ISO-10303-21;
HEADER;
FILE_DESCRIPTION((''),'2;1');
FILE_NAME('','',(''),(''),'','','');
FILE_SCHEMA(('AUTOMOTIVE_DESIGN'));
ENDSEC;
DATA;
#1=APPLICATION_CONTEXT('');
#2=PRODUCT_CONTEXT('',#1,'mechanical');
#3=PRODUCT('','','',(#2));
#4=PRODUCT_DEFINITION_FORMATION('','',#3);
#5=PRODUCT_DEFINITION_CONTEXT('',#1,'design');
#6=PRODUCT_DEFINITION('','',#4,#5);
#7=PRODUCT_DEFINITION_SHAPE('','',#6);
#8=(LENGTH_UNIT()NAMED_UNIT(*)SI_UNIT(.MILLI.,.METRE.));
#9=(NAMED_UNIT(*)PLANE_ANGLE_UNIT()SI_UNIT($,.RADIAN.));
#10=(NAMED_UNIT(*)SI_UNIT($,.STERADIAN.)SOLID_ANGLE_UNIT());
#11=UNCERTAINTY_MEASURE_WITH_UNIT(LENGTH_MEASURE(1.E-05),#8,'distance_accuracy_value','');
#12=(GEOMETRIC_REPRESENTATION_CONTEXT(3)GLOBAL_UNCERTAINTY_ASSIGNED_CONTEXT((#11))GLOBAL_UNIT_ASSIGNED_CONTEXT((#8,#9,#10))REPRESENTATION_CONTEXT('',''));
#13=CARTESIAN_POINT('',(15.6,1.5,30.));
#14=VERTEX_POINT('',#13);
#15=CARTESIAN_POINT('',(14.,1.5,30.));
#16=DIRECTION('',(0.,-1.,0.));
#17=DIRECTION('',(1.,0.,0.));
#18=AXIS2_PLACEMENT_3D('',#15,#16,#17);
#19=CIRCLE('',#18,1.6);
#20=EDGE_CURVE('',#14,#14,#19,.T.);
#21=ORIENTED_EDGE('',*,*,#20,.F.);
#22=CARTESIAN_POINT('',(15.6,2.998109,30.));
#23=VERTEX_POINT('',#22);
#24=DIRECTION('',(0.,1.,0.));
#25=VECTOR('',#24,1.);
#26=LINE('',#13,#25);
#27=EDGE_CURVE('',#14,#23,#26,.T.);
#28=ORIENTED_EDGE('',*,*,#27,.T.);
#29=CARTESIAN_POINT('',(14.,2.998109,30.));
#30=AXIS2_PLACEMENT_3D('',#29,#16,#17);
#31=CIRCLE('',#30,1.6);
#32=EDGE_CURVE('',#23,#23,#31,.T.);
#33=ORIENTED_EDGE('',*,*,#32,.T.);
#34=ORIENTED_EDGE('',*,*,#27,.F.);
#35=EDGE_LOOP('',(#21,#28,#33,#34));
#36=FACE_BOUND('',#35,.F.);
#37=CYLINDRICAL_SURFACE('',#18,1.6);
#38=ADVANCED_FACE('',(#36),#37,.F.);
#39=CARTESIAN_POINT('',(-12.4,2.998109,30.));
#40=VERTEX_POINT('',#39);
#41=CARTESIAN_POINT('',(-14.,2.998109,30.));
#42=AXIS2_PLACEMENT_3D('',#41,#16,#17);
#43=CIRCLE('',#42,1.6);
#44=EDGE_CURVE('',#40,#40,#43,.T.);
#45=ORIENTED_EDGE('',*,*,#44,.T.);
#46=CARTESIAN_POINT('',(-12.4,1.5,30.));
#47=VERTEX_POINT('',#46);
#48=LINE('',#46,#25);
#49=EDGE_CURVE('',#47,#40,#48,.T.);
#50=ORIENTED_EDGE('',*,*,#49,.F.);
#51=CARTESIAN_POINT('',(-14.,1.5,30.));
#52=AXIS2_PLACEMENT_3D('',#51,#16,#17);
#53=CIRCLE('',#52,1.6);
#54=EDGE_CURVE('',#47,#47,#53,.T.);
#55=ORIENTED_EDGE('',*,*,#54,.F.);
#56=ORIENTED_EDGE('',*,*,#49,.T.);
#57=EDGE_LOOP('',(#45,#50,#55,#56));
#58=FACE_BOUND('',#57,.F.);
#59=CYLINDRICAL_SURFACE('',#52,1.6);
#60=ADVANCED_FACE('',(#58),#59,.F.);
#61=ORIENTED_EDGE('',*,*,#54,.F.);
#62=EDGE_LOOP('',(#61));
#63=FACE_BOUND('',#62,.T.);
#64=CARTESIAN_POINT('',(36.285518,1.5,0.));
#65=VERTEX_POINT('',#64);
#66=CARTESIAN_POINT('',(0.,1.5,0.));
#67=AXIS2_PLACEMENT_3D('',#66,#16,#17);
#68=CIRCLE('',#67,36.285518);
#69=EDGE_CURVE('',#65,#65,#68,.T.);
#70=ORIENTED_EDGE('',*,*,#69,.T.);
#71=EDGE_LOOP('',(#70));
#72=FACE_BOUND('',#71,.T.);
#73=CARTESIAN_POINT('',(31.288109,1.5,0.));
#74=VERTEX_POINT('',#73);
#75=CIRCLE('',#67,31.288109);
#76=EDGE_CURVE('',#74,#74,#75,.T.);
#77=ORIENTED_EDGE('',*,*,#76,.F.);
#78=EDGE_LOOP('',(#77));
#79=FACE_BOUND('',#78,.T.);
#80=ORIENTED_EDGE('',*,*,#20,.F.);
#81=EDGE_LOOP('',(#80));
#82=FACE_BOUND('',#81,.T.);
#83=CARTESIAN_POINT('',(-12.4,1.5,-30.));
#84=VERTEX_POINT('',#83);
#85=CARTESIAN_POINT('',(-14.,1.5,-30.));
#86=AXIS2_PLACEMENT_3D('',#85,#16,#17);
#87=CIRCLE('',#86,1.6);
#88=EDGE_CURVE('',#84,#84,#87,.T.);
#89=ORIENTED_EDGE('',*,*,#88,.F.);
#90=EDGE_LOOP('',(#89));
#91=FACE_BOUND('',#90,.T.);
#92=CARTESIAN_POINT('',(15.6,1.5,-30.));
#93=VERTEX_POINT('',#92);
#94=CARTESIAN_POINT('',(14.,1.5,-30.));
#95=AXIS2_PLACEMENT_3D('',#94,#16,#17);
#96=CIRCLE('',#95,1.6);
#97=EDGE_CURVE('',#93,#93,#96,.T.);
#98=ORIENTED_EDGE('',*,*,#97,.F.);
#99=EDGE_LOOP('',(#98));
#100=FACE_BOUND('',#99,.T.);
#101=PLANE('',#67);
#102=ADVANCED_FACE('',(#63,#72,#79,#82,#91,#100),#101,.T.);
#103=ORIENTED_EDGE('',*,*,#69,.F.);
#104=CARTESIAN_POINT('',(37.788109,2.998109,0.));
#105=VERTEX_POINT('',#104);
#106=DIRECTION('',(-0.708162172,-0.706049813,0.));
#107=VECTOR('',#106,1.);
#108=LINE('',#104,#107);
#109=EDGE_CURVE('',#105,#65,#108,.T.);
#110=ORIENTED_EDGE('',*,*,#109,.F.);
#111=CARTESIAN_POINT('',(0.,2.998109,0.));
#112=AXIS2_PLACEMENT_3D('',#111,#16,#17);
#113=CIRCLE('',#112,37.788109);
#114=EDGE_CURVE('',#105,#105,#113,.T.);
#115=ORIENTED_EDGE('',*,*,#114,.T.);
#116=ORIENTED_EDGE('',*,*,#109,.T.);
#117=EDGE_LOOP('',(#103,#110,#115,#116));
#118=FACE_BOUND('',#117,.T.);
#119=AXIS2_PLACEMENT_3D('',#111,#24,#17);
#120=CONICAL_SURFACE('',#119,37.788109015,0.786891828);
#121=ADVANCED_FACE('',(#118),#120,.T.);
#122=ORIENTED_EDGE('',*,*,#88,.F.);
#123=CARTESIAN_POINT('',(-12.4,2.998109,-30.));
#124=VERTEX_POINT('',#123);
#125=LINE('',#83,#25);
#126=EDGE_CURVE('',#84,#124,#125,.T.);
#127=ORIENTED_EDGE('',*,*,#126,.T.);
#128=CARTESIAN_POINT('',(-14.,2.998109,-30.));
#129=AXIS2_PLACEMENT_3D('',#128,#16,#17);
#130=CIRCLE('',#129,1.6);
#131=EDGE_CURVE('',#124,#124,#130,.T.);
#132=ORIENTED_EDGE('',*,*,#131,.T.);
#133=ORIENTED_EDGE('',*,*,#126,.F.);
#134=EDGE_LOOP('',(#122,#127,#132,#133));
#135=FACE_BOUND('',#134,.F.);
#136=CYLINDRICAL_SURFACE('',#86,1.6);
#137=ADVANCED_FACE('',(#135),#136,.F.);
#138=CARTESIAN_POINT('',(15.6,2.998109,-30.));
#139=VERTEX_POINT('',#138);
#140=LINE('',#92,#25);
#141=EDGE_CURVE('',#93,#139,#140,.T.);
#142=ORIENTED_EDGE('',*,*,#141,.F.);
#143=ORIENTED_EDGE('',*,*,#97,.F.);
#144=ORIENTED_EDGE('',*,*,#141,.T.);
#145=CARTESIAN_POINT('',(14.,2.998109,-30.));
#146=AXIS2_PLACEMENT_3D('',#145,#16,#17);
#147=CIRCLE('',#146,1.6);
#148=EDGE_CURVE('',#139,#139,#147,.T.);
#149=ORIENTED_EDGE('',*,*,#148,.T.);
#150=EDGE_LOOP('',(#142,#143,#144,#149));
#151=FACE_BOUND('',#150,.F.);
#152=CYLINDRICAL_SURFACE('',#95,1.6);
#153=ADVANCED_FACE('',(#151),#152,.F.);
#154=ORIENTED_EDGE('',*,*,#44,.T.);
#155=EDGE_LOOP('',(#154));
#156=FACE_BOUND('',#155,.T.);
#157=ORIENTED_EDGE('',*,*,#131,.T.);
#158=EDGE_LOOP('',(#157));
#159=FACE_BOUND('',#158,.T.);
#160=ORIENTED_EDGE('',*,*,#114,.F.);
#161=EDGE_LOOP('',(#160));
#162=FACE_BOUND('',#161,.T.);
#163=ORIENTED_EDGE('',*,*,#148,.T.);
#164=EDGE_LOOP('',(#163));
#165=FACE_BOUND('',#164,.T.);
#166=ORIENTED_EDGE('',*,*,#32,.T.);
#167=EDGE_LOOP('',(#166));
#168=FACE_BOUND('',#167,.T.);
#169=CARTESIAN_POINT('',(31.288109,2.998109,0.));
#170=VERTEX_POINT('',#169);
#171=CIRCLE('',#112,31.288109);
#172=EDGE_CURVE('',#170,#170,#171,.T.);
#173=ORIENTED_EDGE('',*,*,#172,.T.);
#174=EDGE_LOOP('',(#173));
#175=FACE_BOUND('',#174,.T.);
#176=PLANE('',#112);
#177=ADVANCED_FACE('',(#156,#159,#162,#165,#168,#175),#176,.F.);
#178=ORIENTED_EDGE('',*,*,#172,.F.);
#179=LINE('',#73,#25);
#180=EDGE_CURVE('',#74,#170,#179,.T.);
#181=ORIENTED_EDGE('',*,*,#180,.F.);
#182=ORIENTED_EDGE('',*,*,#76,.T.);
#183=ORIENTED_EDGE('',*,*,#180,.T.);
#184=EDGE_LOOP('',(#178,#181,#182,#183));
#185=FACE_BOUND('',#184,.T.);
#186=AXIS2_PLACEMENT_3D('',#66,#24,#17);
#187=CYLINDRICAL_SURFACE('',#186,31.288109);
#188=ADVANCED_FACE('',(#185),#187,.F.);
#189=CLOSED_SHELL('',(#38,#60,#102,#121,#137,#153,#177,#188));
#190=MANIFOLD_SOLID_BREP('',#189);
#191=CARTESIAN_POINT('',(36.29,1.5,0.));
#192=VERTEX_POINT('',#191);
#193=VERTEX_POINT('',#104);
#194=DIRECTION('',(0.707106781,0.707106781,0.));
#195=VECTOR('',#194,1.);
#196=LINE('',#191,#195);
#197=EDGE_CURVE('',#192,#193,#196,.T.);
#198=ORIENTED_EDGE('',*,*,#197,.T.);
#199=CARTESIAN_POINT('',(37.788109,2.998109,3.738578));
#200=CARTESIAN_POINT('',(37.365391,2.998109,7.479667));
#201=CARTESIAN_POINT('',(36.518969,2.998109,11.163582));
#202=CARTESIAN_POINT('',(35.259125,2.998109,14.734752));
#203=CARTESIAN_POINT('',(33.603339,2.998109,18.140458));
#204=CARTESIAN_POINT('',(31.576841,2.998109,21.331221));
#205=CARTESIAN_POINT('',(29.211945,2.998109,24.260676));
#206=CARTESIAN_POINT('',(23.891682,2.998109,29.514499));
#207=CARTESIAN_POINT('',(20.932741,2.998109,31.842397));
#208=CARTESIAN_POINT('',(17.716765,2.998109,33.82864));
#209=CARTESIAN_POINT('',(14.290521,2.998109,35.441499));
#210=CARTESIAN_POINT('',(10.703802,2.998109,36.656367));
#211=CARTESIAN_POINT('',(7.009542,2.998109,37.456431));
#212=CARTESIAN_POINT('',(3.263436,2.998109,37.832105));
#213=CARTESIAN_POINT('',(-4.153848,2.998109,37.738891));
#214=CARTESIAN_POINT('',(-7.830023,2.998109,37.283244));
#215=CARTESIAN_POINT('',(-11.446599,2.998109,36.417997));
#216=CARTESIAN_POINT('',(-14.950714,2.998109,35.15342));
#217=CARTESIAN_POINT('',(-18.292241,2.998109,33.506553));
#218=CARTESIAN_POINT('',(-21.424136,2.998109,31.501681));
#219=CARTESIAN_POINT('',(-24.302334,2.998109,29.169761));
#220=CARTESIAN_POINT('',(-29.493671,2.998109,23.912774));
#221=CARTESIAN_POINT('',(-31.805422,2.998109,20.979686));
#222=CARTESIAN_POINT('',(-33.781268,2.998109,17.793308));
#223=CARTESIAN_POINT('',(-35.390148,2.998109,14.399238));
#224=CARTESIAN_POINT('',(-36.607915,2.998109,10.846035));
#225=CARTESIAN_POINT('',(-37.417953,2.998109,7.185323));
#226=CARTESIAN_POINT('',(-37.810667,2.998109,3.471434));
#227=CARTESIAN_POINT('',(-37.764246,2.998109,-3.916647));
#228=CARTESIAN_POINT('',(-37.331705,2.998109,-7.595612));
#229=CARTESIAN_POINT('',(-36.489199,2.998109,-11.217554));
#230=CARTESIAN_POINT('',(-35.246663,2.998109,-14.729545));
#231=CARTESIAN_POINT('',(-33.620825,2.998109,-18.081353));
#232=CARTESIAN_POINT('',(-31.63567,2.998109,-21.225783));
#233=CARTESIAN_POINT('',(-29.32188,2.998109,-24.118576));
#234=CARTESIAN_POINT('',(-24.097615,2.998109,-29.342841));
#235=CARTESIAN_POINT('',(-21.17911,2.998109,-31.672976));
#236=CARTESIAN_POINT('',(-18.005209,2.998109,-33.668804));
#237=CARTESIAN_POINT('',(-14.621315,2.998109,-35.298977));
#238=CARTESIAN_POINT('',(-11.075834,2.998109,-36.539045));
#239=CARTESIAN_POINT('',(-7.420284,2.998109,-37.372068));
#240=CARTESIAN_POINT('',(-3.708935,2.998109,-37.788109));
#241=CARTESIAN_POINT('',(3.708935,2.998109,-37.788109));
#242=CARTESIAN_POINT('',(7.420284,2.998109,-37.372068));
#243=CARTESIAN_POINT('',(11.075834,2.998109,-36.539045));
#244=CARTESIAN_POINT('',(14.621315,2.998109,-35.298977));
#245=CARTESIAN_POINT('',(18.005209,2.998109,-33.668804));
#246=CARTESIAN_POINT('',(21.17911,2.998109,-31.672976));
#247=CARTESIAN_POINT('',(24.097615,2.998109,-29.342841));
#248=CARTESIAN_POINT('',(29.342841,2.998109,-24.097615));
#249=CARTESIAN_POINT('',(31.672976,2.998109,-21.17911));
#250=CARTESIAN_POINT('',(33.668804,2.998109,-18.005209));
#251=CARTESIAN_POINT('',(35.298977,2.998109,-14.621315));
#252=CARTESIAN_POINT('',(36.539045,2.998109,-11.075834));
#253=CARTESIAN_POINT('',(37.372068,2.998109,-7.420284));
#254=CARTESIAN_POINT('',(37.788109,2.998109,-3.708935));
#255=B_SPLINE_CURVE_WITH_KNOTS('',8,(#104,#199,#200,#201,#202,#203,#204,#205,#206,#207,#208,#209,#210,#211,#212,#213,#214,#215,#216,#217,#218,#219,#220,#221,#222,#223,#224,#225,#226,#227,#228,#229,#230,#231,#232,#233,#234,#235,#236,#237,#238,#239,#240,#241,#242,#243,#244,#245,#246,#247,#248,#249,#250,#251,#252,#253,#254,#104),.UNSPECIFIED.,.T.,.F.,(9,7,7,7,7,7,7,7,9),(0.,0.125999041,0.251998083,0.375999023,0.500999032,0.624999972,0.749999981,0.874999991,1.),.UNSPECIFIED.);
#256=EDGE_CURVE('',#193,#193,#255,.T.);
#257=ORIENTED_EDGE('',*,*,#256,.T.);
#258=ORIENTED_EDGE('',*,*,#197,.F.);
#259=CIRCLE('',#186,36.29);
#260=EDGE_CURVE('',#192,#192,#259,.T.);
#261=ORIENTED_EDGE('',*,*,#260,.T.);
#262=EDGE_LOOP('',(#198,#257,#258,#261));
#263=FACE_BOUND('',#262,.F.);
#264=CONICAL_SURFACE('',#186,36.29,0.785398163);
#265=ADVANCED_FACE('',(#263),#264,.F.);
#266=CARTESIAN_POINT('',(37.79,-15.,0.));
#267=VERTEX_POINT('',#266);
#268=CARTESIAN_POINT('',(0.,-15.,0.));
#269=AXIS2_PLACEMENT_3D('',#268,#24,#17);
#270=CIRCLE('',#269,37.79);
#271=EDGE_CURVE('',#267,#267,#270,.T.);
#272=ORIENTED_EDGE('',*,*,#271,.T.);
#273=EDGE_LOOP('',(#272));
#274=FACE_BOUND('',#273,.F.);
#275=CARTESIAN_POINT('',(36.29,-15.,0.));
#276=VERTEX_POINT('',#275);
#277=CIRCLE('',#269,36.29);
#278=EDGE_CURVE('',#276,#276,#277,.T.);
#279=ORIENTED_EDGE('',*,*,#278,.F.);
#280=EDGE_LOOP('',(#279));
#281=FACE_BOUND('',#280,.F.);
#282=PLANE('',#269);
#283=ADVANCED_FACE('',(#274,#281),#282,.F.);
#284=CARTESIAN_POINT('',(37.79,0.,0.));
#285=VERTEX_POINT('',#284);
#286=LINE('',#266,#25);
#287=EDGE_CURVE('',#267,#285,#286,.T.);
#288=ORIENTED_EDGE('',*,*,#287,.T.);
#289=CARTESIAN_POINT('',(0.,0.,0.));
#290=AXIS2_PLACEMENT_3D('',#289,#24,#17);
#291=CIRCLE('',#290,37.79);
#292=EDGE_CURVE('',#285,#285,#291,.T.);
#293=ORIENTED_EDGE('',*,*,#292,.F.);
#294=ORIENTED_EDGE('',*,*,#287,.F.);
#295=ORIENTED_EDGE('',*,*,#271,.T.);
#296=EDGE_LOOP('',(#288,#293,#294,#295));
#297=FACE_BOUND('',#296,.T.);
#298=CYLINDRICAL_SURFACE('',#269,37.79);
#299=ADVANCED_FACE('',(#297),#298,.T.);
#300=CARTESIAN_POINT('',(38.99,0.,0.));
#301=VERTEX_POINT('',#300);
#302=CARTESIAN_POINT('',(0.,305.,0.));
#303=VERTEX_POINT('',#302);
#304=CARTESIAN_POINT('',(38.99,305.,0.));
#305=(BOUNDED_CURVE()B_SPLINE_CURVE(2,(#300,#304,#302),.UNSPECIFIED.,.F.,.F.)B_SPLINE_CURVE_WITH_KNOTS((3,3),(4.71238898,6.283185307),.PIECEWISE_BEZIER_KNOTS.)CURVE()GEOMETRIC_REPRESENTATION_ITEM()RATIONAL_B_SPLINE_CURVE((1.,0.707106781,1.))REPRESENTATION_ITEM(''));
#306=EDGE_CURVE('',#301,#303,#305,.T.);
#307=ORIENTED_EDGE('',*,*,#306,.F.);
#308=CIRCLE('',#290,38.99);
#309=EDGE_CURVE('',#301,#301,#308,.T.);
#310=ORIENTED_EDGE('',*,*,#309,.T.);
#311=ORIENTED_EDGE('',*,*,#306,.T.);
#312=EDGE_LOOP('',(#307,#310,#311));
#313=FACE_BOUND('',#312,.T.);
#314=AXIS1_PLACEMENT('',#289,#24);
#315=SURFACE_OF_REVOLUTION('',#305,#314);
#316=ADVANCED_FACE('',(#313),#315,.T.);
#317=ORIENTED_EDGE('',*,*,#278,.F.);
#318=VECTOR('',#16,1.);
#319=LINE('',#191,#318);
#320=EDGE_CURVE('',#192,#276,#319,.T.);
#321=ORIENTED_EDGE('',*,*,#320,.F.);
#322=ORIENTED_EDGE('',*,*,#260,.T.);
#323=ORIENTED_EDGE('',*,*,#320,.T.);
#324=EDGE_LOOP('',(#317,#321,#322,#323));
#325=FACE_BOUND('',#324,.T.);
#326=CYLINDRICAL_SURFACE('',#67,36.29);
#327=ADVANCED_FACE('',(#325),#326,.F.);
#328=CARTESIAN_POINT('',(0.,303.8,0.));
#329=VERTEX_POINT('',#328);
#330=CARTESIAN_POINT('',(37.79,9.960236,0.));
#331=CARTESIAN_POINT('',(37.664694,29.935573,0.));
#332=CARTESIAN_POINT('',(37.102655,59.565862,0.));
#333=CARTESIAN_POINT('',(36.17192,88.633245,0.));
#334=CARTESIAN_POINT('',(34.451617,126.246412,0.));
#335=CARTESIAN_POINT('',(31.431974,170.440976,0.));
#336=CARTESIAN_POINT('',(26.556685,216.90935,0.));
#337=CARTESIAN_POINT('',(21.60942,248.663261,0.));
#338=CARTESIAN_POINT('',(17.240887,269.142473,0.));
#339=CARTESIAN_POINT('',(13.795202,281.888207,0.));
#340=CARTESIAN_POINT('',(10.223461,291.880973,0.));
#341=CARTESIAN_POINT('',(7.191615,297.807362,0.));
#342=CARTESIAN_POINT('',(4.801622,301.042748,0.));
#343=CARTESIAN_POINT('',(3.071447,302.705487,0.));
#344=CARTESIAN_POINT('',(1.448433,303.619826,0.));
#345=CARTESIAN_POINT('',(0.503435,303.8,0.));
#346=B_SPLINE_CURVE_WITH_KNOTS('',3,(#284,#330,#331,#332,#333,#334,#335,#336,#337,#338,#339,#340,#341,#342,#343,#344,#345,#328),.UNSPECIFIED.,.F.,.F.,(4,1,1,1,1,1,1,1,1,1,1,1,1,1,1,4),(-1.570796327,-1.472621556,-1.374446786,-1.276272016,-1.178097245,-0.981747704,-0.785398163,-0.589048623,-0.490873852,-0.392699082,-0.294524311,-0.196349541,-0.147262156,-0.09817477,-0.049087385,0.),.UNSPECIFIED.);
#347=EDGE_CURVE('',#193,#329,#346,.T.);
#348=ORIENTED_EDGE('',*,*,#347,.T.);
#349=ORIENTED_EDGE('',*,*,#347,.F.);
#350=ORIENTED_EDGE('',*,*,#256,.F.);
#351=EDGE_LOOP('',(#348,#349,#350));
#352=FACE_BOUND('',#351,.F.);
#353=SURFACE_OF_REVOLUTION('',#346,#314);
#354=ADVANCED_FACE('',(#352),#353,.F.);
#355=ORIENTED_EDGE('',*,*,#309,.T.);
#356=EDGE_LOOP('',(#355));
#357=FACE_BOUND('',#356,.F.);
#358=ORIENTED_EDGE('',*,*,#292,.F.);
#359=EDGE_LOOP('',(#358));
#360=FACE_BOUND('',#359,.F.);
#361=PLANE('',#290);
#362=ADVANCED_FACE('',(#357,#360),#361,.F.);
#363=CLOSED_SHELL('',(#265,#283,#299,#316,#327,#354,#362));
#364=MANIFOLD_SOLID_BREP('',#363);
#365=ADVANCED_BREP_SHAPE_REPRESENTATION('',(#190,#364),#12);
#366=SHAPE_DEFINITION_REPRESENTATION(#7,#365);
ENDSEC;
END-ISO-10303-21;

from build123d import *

# Parameters (mm, degrees)
CROQUIS4_R            = 1.6
CORTAR_EXTRUIR1_DEPTH = 10


with BuildPart() as part:
    # Croquis1 → Revolución1 (revolve)
    with BuildSketch(Plane.XY):
        with BuildLine():
            add(Edge.make_bspline(
                [(37.79, 0), (37.79, 9.960236444), (37.664694442, 29.935572546), (37.102655042, 59.565861984), (36.171920492, 88.633245112), (34.451616706, 126.246412144), (31.431973521, 170.440975848), (26.556684844, 216.90935024), (21.609420408, 248.663260812), (17.240887319, 269.142472583), (13.795202072, 281.88820718), (10.223461032, 291.880973096), (7.191615394, 297.807361864), (4.801622063, 301.042747952), (3.071446776, 302.705487017), (1.448432646, 303.619825673), (0.50343541, 303.8), (0, 303.8)],
                knots=[-1.570796327, -1.570796327, -1.570796327, -1.570796327, -1.472621556, -1.374446786, -1.276272016, -1.178097245, -0.981747704, -0.785398163, -0.589048623, -0.490873852, -0.392699082, -0.294524311, -0.196349541, -0.147262156, -0.09817477, -0.049087385, 0, 0, 0, 0], degree=3))
            Line((0, 303.8), (0, 305))
            add(Edge.make_bspline(
                [(38.99, 0), (38.99, 305), (0, 305)],
                knots=[4.71238898, 4.71238898, 4.71238898, 6.283185307, 6.283185307, 6.283185307], degree=2, weights=[1, 0.707106781, 1]))
            Line((38.99, 0), (37.79, 0))
        make_face()
    revolve(axis=Axis((0, 0, 0), (0, 1, 0)))

    # Sketch1 → Revolve1 (revolve)
    with BuildSketch(Plane.XY):
        Polygon((37.79, 0), (37.79, -15), (36.29, -15), (36.29, 0), (36.29, 1.5), (37.79, 3), (37.79, 1.5), align=None)
    revolve(axis=Axis((0, 0, 0), (0, 1, 0)))


with BuildPart() as body_2:
    # Croquis3 → Revolución2 (revolve)
    with BuildSketch(Plane.XY):
        Polygon((36.285517958, 1.5), (31.288109015, 1.5), (31.288109015, 2.998109015), (37.788109015, 2.998109015), align=None)
    revolve(axis=Axis((0, 0, 0), (0, -1, 0)))

    # Croquis4 → Cortar-Extruir1 (cut)
    with BuildSketch(Plane.XZ.offset(-1.5)):
        with Locations((-14, 30)):
            Circle(CROQUIS4_R)
        with Locations((14, 30)):
            Circle(CROQUIS4_R)
        with Locations((14, -30)):
            Circle(CROQUIS4_R)
        with Locations((-14, -30)):
            Circle(CROQUIS4_R)
    extrude(amount=-CORTAR_EXTRUIR1_DEPTH, mode=Mode.SUBTRACT)


solid = Compound([part.part, body_2.part])
